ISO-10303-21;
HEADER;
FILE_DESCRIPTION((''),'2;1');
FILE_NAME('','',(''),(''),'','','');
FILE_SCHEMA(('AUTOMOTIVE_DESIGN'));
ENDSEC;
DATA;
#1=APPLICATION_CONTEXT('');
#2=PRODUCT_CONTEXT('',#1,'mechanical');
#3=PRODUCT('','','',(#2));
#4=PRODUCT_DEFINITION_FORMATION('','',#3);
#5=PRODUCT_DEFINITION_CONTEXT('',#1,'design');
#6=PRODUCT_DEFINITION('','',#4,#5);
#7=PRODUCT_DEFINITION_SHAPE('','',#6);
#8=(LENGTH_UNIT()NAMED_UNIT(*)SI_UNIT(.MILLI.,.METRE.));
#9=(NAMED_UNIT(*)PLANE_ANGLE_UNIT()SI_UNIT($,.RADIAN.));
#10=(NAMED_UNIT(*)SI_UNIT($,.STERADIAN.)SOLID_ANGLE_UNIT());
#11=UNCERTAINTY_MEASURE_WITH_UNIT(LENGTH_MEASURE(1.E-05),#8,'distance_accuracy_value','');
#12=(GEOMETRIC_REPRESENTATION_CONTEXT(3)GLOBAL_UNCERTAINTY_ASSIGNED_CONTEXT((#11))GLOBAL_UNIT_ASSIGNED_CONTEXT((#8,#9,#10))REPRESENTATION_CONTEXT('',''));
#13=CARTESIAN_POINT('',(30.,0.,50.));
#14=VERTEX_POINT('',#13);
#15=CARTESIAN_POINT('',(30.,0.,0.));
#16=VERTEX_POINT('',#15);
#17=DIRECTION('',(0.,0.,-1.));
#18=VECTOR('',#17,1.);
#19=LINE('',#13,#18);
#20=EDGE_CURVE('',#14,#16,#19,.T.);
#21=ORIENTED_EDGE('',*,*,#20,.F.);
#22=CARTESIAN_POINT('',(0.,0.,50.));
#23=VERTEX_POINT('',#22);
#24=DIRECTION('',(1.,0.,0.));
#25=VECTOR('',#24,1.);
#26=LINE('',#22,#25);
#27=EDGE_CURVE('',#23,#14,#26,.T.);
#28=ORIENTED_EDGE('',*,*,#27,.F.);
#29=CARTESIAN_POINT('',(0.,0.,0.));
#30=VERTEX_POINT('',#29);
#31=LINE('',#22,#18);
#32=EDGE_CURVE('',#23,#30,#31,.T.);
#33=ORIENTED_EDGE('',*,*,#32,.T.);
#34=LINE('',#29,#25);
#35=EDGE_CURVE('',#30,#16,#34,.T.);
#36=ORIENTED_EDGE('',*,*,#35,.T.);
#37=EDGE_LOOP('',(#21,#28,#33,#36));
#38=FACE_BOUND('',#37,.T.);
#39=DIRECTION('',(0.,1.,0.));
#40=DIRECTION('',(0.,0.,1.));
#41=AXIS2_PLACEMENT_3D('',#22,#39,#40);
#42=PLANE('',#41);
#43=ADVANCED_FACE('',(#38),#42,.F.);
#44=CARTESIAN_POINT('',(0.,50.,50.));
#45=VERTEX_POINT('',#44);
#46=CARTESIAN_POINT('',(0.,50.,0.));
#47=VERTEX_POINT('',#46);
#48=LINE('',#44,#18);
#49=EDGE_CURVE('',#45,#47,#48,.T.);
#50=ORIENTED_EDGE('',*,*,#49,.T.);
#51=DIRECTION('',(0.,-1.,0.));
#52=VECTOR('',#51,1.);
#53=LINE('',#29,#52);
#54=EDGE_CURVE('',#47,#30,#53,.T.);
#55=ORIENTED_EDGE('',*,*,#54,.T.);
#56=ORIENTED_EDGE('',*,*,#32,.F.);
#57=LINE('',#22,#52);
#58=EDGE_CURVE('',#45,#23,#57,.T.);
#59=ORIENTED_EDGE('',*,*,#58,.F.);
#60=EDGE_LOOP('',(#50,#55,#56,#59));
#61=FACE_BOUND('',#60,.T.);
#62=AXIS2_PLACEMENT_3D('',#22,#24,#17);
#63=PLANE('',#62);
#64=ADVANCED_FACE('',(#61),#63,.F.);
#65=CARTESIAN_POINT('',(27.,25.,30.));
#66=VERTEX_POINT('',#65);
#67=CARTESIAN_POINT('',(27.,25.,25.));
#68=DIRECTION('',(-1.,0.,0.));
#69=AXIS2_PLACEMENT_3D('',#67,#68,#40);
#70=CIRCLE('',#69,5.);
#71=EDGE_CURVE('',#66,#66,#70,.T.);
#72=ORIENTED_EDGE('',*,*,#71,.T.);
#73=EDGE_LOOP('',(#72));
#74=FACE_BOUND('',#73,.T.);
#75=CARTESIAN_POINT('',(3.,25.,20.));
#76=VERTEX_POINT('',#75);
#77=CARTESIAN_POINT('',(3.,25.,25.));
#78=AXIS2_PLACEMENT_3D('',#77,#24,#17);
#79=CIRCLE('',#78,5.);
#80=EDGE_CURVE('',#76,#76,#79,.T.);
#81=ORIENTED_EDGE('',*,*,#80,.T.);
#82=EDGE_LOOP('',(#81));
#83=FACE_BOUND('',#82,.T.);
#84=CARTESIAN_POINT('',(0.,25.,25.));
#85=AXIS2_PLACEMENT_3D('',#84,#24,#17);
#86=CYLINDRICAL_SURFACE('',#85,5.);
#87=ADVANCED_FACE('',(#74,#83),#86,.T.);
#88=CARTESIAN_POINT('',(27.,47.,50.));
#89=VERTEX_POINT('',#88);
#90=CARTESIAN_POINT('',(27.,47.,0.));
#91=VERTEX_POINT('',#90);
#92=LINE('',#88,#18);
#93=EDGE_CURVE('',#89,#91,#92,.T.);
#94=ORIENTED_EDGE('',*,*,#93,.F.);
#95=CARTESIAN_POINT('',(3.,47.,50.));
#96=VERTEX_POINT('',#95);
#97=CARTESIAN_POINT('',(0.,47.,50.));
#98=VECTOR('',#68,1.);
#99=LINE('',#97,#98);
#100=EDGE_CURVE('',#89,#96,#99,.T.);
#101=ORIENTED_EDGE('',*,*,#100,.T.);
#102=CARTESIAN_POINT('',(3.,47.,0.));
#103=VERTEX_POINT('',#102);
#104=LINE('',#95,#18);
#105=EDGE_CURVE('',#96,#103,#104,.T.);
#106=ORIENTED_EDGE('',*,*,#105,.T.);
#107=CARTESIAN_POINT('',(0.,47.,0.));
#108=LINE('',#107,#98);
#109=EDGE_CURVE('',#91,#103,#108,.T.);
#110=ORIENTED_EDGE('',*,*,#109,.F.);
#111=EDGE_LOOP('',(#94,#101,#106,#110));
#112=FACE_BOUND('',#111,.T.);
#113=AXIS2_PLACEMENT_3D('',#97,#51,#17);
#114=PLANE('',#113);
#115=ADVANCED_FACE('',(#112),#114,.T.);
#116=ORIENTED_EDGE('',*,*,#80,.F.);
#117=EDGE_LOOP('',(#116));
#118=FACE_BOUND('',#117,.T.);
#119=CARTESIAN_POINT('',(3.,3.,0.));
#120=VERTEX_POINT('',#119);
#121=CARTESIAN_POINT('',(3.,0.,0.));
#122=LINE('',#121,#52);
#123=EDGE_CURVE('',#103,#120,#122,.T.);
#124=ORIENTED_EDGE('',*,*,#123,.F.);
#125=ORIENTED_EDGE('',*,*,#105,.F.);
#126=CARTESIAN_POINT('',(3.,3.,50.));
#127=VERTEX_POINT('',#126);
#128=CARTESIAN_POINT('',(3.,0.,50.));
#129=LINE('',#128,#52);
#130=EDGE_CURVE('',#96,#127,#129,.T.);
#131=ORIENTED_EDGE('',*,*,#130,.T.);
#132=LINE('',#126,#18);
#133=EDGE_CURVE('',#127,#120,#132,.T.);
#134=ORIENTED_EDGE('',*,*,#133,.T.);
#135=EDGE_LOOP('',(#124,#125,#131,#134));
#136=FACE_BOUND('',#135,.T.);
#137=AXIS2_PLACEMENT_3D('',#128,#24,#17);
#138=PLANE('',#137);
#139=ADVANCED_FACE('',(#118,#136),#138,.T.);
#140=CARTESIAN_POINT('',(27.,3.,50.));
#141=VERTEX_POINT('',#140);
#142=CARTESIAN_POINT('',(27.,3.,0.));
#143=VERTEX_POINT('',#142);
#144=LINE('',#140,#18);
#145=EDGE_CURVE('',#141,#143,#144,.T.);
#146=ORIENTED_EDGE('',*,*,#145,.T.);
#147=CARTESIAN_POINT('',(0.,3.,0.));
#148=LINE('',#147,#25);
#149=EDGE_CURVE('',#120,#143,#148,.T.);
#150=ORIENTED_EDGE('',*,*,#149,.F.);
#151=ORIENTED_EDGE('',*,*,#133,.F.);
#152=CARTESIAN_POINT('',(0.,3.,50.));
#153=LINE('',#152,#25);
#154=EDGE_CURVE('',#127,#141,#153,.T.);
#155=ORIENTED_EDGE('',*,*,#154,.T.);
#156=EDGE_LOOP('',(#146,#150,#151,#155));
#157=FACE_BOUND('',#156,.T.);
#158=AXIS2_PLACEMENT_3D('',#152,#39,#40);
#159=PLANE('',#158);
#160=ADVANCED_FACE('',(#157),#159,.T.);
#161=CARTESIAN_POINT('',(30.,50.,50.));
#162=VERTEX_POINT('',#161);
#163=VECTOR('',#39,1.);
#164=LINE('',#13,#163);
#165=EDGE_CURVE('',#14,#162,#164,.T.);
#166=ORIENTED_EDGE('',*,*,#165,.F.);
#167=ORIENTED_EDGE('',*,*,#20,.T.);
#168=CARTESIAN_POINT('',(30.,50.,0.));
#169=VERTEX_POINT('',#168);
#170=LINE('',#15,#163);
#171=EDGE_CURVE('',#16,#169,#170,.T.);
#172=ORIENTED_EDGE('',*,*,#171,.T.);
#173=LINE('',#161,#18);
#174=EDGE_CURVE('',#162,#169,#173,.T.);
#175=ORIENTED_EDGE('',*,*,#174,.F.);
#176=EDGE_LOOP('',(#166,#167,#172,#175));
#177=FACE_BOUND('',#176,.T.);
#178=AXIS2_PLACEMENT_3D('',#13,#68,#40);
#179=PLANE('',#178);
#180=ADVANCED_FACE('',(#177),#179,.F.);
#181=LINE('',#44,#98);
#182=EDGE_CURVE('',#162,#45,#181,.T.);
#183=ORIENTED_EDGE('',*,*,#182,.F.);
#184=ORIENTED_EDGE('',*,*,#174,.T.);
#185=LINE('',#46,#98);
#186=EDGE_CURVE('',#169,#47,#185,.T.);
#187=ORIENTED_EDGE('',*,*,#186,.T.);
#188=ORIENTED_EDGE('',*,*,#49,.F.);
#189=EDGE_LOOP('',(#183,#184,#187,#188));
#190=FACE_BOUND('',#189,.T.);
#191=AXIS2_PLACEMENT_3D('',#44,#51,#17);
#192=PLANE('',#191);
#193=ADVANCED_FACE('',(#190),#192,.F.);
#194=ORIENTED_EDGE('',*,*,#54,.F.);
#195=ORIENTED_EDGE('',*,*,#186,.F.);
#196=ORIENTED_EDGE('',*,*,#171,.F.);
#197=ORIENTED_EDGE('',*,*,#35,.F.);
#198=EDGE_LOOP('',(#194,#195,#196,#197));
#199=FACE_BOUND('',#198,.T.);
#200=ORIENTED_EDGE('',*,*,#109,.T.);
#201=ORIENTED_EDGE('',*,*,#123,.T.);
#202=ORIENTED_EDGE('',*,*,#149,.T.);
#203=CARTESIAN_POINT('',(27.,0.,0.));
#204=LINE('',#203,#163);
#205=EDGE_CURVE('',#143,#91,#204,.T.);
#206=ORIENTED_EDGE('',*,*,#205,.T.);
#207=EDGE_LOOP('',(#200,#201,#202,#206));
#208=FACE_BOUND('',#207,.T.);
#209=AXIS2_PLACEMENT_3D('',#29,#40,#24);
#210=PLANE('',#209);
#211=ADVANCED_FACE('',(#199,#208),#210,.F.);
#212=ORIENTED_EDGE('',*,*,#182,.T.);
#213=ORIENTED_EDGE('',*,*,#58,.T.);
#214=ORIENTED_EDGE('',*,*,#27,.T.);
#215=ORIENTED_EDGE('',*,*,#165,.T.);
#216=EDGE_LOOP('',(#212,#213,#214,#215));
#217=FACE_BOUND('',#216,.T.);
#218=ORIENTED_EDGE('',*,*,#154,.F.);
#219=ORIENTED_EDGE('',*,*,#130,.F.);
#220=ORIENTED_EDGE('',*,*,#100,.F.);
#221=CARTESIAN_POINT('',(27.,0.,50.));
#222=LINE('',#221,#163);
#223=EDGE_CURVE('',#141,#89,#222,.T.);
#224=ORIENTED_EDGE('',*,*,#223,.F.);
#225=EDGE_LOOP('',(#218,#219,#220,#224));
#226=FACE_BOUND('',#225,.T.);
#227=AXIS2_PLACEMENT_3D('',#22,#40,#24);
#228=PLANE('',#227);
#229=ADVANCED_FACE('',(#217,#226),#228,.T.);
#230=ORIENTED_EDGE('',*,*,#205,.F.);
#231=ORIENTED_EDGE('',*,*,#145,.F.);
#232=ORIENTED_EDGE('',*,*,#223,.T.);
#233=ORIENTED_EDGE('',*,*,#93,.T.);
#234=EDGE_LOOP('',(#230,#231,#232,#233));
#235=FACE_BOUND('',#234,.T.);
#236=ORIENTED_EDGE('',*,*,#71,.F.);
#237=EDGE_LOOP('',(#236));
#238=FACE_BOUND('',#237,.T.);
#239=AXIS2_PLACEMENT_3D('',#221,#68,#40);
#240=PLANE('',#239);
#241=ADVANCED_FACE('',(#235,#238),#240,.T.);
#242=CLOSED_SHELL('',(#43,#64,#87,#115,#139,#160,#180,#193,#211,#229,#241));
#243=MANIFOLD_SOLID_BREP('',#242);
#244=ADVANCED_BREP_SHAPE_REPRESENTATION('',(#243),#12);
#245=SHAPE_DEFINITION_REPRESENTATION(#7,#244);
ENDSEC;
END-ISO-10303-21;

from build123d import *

# Parameters (mm, degrees)
SKETCH1_W           = 30
SKETCH1_H           = 50
SKETCH1_W_2         = 24
SKETCH1_H_2         = 44
EXTRUDE_THIN1_DEPTH = 50
BOSS_EXTRUDE1_REACH = 78.811
SKETCH2_R           = 5


with BuildPart() as part:
    # Sketch1 → Extrude-Thin1 (new body)
    with BuildSketch(Plane.XY):
        with Locations((15, 25)):
            Rectangle(SKETCH1_W, SKETCH1_H)
        with Locations((15, 25)):
            Rectangle(SKETCH1_W_2, SKETCH1_H_2, mode=Mode.SUBTRACT)
    extrude(amount=EXTRUDE_THIN1_DEPTH)

    # Sketch2 → Boss-Extrude1 (add, up to next)
    with BuildSketch(Plane(origin=(30, 0, 0), x_dir=(0, 0, -1), z_dir=(1, 0, 0)), mode=Mode.PRIVATE) as boss_extrude1_sk1:
        with Locations((-25, 25)):
            Circle(SKETCH2_R)
    boss_extrude1_tool1 = extrude(boss_extrude1_sk1.sketch, amount=-BOSS_EXTRUDE1_REACH, mode=Mode.PRIVATE) - part.part
    add(boss_extrude1_tool1.solids().sort_by_distance((30, 25, 25))[0])


solid = part.part
